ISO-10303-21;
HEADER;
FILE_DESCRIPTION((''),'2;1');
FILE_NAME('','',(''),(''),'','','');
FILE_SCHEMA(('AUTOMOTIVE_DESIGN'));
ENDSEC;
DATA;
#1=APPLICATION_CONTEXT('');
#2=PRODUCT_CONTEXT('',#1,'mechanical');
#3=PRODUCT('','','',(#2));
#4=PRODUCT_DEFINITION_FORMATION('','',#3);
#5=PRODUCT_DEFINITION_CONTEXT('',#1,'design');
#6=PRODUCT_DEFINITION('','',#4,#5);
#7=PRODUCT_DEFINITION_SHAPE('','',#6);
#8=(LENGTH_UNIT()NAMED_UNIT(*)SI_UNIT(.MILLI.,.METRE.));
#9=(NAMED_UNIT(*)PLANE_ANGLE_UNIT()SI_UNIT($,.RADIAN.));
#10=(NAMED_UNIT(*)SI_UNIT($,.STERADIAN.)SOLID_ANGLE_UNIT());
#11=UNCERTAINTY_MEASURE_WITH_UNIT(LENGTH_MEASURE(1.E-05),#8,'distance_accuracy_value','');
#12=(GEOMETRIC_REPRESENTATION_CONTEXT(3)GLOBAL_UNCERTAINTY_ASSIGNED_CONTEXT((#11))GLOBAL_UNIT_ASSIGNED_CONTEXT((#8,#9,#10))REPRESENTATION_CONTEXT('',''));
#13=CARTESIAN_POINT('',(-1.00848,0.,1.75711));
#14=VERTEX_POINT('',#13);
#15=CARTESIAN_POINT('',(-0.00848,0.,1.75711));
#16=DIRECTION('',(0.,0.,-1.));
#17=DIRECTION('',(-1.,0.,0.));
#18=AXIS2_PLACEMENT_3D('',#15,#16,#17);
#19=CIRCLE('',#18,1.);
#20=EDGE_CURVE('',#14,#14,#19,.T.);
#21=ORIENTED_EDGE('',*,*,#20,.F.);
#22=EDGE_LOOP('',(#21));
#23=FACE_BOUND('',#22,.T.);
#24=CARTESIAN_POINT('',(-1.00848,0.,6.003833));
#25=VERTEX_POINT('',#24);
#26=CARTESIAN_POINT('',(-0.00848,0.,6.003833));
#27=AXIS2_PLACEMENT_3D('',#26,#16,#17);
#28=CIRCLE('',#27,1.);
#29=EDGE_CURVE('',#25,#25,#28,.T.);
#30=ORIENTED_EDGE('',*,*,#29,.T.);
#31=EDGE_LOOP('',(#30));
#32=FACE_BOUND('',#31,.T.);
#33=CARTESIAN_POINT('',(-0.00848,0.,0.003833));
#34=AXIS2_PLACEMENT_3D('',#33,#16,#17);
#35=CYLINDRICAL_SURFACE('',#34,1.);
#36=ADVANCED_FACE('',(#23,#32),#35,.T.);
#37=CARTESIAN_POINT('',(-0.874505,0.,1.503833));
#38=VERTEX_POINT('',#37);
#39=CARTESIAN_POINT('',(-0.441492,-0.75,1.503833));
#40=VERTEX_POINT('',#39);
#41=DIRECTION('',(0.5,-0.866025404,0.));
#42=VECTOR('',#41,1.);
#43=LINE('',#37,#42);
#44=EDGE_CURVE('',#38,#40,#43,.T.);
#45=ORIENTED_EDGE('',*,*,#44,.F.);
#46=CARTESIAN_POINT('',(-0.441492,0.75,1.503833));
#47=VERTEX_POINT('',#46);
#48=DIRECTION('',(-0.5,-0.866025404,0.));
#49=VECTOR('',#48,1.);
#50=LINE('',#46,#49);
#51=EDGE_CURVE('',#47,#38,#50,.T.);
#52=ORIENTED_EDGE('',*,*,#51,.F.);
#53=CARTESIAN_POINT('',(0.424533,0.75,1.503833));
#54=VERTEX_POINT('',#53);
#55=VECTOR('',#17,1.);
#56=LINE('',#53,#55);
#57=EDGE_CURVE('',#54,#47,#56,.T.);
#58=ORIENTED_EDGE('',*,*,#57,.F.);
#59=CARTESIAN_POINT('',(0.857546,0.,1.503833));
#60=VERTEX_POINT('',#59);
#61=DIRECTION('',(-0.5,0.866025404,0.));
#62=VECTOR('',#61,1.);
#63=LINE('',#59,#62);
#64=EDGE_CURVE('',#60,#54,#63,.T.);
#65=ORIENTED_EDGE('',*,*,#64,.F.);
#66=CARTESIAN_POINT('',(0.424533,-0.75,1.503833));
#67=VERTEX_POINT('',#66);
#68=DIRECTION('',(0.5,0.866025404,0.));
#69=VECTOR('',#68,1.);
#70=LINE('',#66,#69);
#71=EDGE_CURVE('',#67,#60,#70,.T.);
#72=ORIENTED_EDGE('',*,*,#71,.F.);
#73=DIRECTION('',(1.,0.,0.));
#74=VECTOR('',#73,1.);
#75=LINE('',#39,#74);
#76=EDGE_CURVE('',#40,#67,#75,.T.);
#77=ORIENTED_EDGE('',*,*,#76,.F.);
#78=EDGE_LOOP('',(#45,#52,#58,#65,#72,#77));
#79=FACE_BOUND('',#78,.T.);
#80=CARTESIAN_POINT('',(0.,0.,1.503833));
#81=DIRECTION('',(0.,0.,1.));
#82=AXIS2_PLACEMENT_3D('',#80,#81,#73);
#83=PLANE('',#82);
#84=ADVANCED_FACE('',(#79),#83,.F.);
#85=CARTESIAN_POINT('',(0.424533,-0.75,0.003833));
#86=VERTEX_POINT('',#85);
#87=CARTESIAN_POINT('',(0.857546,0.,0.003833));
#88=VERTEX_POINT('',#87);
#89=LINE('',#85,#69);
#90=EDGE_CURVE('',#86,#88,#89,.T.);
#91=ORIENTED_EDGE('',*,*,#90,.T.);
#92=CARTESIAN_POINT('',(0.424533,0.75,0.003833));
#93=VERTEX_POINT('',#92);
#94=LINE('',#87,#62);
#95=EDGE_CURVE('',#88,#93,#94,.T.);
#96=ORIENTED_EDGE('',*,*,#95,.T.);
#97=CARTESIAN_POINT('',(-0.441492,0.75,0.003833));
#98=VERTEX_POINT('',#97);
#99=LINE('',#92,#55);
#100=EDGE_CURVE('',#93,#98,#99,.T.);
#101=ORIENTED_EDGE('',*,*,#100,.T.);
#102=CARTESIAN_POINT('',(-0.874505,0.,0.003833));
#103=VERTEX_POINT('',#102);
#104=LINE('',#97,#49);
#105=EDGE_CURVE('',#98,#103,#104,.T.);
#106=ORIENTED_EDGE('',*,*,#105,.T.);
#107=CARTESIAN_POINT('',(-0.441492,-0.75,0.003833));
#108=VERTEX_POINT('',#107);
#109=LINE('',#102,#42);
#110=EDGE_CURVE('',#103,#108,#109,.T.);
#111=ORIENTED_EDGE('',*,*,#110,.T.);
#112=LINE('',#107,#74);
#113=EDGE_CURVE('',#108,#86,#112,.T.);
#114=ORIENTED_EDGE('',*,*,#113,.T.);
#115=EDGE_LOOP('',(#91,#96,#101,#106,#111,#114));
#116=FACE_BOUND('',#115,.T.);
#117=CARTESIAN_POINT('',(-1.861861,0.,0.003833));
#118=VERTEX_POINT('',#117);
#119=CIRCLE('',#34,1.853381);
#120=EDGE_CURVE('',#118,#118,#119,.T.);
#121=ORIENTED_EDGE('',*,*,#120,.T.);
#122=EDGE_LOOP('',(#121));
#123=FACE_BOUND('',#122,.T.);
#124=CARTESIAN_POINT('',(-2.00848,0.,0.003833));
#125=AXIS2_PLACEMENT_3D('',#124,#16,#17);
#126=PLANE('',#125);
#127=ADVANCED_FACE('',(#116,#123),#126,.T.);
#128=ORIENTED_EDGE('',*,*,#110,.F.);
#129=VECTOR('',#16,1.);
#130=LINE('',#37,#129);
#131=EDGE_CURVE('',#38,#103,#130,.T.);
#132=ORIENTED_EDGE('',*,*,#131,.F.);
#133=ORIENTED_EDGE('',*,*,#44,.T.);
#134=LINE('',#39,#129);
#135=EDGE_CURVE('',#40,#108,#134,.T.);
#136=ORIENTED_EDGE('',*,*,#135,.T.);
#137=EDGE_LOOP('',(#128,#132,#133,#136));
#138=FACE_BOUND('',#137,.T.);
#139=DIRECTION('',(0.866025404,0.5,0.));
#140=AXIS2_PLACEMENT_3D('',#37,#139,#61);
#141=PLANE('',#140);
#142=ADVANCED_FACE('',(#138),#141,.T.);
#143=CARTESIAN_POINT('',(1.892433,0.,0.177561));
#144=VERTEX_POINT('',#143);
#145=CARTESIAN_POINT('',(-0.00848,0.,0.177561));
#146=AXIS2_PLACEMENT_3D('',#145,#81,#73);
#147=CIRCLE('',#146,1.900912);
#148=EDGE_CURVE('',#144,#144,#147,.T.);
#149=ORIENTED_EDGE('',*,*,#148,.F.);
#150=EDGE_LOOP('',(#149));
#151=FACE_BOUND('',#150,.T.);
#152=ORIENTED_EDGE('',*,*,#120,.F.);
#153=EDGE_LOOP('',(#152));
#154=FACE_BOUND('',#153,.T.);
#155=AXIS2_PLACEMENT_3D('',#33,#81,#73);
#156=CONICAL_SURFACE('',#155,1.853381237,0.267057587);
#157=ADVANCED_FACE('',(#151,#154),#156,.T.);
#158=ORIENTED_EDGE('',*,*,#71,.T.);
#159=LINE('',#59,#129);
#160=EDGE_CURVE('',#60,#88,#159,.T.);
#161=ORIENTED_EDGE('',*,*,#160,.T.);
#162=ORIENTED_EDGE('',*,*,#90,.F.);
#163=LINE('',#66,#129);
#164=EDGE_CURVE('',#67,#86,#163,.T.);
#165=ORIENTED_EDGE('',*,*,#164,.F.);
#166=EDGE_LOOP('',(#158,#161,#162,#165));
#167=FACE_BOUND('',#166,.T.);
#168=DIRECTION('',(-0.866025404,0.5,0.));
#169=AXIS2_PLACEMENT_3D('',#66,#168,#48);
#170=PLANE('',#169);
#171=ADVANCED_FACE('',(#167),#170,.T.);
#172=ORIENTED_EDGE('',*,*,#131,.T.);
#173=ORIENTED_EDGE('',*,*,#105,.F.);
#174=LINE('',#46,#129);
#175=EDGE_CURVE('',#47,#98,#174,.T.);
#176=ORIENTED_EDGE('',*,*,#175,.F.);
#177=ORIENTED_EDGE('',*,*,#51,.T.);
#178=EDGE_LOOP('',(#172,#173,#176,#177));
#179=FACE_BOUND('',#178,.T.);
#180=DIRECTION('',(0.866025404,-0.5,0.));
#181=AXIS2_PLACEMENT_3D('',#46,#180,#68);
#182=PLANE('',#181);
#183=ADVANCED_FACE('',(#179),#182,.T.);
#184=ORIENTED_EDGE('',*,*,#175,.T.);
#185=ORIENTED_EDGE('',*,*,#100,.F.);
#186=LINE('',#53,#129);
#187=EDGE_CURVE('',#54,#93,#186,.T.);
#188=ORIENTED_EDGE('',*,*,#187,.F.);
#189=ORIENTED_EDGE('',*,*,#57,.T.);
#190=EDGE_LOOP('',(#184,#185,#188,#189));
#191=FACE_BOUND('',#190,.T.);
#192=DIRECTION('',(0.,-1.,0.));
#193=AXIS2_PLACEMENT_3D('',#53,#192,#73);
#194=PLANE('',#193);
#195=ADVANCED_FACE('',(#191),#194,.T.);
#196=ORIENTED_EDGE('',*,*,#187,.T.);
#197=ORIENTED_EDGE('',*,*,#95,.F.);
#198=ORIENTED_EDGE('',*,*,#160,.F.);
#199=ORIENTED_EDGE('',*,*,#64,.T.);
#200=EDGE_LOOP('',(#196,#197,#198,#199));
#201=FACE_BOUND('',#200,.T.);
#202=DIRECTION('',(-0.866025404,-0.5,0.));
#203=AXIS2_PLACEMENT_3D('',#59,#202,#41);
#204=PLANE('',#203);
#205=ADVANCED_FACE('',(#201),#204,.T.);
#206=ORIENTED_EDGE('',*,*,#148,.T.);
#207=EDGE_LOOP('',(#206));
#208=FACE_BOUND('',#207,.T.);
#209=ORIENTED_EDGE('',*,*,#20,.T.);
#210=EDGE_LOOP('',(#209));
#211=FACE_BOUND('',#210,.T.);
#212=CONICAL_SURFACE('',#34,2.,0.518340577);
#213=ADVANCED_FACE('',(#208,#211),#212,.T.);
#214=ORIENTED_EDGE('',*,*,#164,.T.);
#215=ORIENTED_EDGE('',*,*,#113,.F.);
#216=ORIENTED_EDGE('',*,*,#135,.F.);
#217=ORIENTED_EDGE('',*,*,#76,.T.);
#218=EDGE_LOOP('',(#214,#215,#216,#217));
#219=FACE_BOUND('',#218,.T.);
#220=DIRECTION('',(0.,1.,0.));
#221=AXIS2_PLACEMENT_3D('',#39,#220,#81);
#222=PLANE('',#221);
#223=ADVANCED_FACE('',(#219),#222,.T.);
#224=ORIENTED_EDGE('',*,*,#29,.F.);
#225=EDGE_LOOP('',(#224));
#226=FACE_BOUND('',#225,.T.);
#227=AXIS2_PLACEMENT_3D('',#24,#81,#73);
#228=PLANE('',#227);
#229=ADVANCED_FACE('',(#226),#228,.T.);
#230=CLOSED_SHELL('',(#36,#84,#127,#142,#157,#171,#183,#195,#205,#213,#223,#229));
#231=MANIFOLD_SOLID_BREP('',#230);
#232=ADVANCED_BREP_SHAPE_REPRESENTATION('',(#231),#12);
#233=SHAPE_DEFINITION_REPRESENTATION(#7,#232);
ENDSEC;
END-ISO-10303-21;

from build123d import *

# Parameters (mm, degrees)
CUT_EXTRUDE_1_DEPTH = 1.5
CHAMFER_1_SIZE      = 0.2
CHAMFER_1_SIZE2     = 0.146618763


with BuildPart() as part:
    # 草图1 → 旋转5 (revolve)
    with BuildSketch(Plane(origin=(0, 0, 0), x_dir=(1, 0, 0), z_dir=(0, 1, 0))):
        Polygon((-2.008479615, -0.003832891), (-0.008479615, -0.003832891), (-0.008479615, -6.003832891), (-1.008479615, -6.003832891), (-1.008479615, -1.757110008), align=None)
    revolve(axis=Axis((-0.008479615, 0, 0.003832891), (0, 0, 1)))

    # 草图2 → 切除-拉伸1 (cut)
    with BuildSketch(Plane.XY.offset(0.003832891)):
        Polygon((0.857545789, 0), (0.424533087, 0.75), (-0.441492317, 0.75), (-0.874505018, 0), (-0.441492317, -0.75), (0.424533087, -0.75), align=None)
    extrude(amount=CUT_EXTRUDE_1_DEPTH, mode=Mode.SUBTRACT)

    # 倒角1
    chamfer_1_edges = [part.edges().sort_by_distance(p)[0] for p in [
        (1.991520385, 0, 0.003832891),
    ]]
    chamfer_1_side = [part.faces().sort_by_distance(p)[0] for p in [
        (1.491520385, 0, 0.880471449),
    ]]
    chamfer(chamfer_1_edges, length=CHAMFER_1_SIZE, length2=CHAMFER_1_SIZE2, reference=chamfer_1_side[0])


solid = part.part
